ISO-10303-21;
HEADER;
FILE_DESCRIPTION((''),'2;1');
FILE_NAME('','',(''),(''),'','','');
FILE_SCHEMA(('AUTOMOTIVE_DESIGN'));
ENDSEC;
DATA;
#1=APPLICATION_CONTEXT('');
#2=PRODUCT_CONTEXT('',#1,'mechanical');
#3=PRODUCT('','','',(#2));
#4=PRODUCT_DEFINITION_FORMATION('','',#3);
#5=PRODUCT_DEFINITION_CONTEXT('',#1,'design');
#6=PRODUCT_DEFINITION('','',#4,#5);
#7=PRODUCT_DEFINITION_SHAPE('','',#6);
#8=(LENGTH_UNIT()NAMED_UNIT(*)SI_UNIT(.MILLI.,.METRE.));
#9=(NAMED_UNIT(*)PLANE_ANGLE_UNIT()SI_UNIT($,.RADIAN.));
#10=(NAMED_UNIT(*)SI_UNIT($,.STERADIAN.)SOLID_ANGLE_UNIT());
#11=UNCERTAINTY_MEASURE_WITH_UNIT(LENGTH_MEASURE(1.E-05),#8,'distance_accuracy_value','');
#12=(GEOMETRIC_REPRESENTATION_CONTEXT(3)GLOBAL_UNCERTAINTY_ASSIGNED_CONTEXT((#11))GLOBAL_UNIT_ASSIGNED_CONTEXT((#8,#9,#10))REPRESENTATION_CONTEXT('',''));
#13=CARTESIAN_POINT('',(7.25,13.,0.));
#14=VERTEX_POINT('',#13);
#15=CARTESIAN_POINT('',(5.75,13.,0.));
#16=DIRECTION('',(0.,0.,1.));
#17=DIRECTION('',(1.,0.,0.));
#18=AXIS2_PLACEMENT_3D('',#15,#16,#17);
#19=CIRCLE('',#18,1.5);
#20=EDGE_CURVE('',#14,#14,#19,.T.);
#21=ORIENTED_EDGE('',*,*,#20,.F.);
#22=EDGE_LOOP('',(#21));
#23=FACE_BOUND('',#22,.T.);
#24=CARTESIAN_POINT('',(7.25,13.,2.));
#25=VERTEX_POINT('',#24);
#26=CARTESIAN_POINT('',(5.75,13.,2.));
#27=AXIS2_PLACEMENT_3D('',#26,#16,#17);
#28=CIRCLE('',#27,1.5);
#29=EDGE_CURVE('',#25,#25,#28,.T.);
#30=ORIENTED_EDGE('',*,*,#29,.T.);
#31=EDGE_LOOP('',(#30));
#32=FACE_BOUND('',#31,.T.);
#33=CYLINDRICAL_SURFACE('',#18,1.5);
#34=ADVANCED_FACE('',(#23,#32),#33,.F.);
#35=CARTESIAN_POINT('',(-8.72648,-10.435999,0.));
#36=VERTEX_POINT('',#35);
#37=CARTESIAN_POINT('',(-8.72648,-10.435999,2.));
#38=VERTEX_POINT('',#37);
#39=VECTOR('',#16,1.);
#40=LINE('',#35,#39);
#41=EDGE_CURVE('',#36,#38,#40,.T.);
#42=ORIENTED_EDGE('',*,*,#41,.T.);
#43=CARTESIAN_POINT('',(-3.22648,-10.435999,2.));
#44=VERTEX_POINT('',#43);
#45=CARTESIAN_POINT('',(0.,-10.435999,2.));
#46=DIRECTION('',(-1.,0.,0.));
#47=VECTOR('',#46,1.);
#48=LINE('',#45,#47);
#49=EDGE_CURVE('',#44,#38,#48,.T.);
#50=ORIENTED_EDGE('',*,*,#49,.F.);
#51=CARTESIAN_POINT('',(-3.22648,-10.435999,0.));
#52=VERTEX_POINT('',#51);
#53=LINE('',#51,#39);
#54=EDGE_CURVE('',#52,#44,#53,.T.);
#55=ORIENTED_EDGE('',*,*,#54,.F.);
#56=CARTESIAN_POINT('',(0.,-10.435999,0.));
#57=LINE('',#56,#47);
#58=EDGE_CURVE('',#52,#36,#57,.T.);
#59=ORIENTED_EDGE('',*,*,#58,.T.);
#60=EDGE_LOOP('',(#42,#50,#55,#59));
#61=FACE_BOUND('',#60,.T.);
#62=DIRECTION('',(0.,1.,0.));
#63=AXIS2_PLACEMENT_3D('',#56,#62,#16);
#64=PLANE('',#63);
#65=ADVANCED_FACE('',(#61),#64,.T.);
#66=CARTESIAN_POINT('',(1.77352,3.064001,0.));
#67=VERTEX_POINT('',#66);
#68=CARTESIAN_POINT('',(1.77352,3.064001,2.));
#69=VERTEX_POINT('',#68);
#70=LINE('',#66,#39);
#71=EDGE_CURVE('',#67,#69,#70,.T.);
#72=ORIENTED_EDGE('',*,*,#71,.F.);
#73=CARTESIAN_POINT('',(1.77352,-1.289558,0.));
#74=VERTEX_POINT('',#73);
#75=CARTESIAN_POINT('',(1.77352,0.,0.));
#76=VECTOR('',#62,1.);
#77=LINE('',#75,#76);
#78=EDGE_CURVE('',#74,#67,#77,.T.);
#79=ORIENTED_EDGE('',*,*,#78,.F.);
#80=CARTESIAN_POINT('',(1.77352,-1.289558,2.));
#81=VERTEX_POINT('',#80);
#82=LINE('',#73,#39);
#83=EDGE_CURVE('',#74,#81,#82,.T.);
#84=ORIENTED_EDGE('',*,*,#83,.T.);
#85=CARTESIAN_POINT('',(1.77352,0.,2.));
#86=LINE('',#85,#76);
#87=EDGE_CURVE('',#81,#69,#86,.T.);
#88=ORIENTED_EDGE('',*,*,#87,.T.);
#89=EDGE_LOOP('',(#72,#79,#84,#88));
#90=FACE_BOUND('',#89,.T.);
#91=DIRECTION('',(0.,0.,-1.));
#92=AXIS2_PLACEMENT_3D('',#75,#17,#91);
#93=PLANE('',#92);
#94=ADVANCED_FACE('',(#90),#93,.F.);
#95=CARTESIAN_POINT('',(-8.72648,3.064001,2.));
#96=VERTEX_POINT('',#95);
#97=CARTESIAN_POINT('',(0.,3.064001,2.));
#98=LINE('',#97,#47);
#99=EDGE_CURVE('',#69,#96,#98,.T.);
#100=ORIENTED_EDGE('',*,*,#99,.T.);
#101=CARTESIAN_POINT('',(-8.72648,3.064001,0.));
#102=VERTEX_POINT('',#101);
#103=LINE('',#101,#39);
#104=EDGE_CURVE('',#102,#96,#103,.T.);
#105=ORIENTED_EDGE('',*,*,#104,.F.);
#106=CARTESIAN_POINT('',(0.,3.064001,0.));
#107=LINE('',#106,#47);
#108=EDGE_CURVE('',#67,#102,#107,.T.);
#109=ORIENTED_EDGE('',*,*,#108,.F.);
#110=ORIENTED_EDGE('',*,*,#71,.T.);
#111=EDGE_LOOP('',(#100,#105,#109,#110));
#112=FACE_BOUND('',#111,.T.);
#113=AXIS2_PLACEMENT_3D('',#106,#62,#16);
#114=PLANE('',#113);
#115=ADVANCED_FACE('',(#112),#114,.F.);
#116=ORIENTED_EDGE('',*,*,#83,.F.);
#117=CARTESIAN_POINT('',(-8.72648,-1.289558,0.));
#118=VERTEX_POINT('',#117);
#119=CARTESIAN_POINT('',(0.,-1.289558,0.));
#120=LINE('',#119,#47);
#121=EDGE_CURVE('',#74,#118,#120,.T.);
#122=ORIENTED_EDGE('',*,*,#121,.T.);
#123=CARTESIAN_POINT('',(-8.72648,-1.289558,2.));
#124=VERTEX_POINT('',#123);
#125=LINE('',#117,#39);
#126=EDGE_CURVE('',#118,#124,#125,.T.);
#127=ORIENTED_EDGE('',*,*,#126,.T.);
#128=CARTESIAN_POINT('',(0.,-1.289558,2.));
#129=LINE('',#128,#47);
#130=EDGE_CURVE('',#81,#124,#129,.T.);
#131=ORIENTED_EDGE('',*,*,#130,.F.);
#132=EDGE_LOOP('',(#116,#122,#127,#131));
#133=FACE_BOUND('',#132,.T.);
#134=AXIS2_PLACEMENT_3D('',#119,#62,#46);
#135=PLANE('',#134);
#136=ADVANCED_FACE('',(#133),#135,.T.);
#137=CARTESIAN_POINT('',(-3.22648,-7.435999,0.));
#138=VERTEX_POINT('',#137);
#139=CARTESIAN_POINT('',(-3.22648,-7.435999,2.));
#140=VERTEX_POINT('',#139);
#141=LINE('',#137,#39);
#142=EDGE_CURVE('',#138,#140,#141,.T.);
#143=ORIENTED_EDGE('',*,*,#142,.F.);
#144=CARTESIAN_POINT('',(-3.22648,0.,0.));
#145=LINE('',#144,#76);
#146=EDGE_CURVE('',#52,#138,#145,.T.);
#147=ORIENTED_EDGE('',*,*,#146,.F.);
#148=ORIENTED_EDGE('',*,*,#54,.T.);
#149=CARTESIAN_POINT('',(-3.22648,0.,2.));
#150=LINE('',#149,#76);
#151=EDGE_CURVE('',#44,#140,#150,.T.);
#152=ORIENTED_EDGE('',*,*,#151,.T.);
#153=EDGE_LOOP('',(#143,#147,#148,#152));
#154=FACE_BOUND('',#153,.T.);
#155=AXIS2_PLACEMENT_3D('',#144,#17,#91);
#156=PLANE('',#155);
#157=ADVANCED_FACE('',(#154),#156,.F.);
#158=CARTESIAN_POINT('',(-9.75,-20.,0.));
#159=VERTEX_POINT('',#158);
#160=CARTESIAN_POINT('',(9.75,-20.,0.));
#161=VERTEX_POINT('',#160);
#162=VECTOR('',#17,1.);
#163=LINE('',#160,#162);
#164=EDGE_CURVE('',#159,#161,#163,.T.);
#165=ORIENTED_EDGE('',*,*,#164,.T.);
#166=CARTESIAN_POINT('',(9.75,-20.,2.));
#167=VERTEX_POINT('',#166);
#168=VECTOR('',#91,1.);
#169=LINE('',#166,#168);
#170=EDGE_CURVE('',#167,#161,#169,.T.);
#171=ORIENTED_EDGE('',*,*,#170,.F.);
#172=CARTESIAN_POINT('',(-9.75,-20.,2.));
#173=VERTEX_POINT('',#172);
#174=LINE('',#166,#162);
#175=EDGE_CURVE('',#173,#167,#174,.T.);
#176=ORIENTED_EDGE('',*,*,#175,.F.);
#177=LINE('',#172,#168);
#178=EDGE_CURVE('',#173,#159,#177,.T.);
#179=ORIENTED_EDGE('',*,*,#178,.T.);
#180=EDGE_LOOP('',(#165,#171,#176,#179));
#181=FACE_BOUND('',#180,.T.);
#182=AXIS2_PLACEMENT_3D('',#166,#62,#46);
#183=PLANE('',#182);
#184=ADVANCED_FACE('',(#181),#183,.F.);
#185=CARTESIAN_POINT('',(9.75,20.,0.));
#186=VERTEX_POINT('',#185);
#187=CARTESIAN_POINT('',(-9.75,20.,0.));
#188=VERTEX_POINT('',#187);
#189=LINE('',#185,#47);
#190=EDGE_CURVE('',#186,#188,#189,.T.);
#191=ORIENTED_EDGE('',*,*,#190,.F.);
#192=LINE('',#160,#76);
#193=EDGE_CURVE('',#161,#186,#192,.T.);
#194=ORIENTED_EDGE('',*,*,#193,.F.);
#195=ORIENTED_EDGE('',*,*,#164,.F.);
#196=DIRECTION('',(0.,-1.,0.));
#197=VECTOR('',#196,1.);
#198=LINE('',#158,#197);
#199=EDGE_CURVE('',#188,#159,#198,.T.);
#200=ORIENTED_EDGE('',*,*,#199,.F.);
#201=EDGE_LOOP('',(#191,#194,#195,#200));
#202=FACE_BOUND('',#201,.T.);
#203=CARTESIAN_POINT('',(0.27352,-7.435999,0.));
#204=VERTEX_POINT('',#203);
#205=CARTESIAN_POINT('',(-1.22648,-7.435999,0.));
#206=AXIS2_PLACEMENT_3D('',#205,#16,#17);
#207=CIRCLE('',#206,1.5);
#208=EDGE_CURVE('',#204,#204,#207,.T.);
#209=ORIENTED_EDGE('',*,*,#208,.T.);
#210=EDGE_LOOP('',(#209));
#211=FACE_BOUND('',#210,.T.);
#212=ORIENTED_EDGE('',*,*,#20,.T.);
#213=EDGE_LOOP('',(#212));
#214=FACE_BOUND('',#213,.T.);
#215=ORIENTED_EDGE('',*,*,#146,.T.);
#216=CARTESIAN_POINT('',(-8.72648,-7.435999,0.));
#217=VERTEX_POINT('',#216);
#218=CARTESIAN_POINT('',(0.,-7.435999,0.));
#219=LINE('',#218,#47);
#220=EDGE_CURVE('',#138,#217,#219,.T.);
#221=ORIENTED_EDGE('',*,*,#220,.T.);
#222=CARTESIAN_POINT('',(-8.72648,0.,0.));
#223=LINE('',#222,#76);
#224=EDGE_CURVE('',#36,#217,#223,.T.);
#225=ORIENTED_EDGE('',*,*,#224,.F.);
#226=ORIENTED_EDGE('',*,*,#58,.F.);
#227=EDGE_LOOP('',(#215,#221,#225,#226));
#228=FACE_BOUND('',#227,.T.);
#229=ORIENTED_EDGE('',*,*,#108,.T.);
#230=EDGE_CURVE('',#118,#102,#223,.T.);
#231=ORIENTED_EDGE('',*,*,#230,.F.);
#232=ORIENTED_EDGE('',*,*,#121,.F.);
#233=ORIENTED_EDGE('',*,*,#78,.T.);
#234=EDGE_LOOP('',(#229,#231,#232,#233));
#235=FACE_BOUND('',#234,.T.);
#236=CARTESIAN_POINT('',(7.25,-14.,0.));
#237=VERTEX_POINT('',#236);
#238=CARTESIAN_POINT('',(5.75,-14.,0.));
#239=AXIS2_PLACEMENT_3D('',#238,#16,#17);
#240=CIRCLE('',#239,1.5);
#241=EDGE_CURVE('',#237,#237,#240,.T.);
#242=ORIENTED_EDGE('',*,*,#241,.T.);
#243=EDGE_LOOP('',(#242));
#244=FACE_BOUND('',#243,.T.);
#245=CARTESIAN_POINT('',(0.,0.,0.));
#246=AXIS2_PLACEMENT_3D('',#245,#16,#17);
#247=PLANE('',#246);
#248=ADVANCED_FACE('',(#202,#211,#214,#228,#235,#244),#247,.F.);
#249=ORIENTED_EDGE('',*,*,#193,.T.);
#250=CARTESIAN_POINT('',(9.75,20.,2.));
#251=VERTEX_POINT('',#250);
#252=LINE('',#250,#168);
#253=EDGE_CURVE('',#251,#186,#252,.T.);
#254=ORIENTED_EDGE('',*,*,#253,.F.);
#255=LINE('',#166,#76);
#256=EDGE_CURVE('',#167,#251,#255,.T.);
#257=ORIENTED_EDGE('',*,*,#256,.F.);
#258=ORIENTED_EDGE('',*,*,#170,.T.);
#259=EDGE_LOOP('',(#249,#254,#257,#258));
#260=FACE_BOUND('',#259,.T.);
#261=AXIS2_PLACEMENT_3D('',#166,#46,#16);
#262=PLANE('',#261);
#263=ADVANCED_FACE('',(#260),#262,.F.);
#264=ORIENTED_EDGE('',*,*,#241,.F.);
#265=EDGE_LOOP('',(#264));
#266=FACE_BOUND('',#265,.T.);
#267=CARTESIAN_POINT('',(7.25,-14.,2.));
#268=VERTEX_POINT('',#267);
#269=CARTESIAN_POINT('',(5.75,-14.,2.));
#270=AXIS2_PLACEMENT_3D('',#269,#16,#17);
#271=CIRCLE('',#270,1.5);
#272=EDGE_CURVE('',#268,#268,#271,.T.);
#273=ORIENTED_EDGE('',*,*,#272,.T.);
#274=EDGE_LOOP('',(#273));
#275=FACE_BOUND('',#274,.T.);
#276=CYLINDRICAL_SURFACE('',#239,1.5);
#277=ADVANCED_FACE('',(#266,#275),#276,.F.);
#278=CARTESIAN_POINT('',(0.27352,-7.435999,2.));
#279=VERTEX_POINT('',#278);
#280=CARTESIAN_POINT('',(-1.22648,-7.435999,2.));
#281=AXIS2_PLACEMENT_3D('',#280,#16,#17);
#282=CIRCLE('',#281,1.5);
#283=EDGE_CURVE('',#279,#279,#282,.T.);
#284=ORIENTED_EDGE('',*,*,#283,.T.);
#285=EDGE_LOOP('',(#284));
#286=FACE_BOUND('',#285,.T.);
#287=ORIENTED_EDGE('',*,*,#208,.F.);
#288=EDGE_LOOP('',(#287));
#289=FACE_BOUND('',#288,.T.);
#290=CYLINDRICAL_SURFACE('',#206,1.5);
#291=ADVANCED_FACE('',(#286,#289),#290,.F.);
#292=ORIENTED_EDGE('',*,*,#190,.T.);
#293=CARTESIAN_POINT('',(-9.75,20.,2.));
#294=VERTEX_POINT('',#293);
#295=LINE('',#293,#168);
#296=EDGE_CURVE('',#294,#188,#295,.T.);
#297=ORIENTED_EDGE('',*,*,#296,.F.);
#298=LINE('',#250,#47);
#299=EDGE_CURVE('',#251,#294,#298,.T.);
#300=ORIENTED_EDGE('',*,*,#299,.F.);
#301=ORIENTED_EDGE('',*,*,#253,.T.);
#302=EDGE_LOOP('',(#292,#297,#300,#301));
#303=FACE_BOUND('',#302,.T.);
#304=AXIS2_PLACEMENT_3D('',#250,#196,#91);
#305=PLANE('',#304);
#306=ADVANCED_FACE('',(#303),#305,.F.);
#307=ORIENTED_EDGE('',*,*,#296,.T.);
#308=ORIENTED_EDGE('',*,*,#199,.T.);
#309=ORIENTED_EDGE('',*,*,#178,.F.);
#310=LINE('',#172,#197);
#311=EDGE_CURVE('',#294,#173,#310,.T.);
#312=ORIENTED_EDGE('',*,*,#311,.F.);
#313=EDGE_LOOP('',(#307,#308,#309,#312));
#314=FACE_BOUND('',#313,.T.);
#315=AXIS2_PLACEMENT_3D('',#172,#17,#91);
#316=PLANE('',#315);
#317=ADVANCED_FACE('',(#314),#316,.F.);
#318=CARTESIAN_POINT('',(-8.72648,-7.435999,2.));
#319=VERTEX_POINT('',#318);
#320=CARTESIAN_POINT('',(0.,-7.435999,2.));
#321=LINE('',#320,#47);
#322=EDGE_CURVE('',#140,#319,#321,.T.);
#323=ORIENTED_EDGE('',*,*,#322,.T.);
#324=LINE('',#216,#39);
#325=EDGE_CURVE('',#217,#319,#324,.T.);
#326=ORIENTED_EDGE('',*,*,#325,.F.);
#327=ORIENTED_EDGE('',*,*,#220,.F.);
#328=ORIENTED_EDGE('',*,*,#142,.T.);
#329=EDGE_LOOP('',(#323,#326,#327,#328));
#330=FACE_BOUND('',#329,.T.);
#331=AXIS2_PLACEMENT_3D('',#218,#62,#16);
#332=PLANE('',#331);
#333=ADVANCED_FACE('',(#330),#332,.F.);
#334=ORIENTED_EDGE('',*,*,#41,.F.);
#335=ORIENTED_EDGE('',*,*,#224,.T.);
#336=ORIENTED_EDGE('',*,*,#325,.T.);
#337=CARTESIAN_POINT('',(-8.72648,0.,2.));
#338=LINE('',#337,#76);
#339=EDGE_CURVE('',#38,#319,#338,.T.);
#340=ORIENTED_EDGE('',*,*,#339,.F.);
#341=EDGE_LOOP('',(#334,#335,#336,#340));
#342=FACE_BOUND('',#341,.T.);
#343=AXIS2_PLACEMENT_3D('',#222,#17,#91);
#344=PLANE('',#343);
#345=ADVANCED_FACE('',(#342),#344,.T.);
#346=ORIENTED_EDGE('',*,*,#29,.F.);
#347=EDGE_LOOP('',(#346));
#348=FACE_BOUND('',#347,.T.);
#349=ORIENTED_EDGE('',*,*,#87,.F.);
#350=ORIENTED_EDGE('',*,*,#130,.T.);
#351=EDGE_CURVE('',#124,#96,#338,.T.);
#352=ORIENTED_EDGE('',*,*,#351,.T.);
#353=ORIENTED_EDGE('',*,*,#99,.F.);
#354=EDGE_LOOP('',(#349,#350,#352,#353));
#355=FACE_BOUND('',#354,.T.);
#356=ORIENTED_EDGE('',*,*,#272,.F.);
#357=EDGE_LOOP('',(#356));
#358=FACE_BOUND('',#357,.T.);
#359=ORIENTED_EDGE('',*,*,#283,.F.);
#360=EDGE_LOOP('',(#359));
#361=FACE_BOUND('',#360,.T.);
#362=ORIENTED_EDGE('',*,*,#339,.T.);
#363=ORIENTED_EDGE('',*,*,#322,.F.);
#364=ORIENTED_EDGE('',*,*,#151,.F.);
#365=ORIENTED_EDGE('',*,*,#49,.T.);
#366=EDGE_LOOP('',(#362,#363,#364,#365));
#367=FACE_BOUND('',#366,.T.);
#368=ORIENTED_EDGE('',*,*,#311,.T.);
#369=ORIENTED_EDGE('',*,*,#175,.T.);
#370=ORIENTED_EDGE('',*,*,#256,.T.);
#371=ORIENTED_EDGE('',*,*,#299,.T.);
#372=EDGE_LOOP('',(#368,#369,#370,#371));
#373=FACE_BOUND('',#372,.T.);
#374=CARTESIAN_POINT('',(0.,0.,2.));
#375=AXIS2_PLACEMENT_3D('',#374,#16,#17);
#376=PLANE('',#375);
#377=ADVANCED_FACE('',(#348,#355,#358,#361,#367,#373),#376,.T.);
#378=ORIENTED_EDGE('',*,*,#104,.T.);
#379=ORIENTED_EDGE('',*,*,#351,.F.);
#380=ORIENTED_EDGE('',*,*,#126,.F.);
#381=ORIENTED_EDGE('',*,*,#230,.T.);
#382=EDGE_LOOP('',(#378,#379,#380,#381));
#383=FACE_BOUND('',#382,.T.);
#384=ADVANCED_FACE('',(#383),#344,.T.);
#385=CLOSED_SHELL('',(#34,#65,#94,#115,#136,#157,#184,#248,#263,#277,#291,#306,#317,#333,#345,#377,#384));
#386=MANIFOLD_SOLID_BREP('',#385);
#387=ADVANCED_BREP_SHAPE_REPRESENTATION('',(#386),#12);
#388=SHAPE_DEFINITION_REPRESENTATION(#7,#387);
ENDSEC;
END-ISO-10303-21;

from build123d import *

# Parameters (mm, degrees)
SKETCH1_W           = 19.5
SKETCH1_H           = 40
BOSS_EXTRUDE1_DEPTH = 2
SKETCH2_R           = 1.5
SKETCH2_W           = 5.5
SKETCH2_H           = 3
SKETCH2_W_2         = 10.5
SKETCH2_H_2         = 4.353558907
CUT_EXTRUDE1_DEPTH  = 2
SKETCH3_R           = 1.5
CUT_EXTRUDE2_DEPTH  = 2


with BuildPart() as part:
    # Sketch1 → Boss-Extrude1 (new body)
    with BuildSketch(Plane.XY):
        Rectangle(SKETCH1_W, SKETCH1_H)
    extrude(amount=BOSS_EXTRUDE1_DEPTH)

    # Sketch2 → Cut-Extrude1 (cut)
    with BuildSketch(Plane.XY.offset(2)):
        with Locations((-1.226480499, -7.435998593)):
            Circle(SKETCH2_R)
        with Locations((-5.976480499, -8.935998593)):
            Rectangle(SKETCH2_W, SKETCH2_H)
        with Locations((-3.476480499, 0.887221953)):
            Rectangle(SKETCH2_W_2, SKETCH2_H_2)
    extrude(amount=-CUT_EXTRUDE1_DEPTH, mode=Mode.SUBTRACT)

    # Sketch3 → Cut-Extrude2 (cut)
    with BuildSketch(Plane.XY.offset(2)):
        with Locations((5.75, -14)):
            Circle(SKETCH3_R)
        with Locations((5.75, 13)):
            Circle(SKETCH3_R)
    extrude(amount=-CUT_EXTRUDE2_DEPTH, mode=Mode.SUBTRACT)


solid = part.part
